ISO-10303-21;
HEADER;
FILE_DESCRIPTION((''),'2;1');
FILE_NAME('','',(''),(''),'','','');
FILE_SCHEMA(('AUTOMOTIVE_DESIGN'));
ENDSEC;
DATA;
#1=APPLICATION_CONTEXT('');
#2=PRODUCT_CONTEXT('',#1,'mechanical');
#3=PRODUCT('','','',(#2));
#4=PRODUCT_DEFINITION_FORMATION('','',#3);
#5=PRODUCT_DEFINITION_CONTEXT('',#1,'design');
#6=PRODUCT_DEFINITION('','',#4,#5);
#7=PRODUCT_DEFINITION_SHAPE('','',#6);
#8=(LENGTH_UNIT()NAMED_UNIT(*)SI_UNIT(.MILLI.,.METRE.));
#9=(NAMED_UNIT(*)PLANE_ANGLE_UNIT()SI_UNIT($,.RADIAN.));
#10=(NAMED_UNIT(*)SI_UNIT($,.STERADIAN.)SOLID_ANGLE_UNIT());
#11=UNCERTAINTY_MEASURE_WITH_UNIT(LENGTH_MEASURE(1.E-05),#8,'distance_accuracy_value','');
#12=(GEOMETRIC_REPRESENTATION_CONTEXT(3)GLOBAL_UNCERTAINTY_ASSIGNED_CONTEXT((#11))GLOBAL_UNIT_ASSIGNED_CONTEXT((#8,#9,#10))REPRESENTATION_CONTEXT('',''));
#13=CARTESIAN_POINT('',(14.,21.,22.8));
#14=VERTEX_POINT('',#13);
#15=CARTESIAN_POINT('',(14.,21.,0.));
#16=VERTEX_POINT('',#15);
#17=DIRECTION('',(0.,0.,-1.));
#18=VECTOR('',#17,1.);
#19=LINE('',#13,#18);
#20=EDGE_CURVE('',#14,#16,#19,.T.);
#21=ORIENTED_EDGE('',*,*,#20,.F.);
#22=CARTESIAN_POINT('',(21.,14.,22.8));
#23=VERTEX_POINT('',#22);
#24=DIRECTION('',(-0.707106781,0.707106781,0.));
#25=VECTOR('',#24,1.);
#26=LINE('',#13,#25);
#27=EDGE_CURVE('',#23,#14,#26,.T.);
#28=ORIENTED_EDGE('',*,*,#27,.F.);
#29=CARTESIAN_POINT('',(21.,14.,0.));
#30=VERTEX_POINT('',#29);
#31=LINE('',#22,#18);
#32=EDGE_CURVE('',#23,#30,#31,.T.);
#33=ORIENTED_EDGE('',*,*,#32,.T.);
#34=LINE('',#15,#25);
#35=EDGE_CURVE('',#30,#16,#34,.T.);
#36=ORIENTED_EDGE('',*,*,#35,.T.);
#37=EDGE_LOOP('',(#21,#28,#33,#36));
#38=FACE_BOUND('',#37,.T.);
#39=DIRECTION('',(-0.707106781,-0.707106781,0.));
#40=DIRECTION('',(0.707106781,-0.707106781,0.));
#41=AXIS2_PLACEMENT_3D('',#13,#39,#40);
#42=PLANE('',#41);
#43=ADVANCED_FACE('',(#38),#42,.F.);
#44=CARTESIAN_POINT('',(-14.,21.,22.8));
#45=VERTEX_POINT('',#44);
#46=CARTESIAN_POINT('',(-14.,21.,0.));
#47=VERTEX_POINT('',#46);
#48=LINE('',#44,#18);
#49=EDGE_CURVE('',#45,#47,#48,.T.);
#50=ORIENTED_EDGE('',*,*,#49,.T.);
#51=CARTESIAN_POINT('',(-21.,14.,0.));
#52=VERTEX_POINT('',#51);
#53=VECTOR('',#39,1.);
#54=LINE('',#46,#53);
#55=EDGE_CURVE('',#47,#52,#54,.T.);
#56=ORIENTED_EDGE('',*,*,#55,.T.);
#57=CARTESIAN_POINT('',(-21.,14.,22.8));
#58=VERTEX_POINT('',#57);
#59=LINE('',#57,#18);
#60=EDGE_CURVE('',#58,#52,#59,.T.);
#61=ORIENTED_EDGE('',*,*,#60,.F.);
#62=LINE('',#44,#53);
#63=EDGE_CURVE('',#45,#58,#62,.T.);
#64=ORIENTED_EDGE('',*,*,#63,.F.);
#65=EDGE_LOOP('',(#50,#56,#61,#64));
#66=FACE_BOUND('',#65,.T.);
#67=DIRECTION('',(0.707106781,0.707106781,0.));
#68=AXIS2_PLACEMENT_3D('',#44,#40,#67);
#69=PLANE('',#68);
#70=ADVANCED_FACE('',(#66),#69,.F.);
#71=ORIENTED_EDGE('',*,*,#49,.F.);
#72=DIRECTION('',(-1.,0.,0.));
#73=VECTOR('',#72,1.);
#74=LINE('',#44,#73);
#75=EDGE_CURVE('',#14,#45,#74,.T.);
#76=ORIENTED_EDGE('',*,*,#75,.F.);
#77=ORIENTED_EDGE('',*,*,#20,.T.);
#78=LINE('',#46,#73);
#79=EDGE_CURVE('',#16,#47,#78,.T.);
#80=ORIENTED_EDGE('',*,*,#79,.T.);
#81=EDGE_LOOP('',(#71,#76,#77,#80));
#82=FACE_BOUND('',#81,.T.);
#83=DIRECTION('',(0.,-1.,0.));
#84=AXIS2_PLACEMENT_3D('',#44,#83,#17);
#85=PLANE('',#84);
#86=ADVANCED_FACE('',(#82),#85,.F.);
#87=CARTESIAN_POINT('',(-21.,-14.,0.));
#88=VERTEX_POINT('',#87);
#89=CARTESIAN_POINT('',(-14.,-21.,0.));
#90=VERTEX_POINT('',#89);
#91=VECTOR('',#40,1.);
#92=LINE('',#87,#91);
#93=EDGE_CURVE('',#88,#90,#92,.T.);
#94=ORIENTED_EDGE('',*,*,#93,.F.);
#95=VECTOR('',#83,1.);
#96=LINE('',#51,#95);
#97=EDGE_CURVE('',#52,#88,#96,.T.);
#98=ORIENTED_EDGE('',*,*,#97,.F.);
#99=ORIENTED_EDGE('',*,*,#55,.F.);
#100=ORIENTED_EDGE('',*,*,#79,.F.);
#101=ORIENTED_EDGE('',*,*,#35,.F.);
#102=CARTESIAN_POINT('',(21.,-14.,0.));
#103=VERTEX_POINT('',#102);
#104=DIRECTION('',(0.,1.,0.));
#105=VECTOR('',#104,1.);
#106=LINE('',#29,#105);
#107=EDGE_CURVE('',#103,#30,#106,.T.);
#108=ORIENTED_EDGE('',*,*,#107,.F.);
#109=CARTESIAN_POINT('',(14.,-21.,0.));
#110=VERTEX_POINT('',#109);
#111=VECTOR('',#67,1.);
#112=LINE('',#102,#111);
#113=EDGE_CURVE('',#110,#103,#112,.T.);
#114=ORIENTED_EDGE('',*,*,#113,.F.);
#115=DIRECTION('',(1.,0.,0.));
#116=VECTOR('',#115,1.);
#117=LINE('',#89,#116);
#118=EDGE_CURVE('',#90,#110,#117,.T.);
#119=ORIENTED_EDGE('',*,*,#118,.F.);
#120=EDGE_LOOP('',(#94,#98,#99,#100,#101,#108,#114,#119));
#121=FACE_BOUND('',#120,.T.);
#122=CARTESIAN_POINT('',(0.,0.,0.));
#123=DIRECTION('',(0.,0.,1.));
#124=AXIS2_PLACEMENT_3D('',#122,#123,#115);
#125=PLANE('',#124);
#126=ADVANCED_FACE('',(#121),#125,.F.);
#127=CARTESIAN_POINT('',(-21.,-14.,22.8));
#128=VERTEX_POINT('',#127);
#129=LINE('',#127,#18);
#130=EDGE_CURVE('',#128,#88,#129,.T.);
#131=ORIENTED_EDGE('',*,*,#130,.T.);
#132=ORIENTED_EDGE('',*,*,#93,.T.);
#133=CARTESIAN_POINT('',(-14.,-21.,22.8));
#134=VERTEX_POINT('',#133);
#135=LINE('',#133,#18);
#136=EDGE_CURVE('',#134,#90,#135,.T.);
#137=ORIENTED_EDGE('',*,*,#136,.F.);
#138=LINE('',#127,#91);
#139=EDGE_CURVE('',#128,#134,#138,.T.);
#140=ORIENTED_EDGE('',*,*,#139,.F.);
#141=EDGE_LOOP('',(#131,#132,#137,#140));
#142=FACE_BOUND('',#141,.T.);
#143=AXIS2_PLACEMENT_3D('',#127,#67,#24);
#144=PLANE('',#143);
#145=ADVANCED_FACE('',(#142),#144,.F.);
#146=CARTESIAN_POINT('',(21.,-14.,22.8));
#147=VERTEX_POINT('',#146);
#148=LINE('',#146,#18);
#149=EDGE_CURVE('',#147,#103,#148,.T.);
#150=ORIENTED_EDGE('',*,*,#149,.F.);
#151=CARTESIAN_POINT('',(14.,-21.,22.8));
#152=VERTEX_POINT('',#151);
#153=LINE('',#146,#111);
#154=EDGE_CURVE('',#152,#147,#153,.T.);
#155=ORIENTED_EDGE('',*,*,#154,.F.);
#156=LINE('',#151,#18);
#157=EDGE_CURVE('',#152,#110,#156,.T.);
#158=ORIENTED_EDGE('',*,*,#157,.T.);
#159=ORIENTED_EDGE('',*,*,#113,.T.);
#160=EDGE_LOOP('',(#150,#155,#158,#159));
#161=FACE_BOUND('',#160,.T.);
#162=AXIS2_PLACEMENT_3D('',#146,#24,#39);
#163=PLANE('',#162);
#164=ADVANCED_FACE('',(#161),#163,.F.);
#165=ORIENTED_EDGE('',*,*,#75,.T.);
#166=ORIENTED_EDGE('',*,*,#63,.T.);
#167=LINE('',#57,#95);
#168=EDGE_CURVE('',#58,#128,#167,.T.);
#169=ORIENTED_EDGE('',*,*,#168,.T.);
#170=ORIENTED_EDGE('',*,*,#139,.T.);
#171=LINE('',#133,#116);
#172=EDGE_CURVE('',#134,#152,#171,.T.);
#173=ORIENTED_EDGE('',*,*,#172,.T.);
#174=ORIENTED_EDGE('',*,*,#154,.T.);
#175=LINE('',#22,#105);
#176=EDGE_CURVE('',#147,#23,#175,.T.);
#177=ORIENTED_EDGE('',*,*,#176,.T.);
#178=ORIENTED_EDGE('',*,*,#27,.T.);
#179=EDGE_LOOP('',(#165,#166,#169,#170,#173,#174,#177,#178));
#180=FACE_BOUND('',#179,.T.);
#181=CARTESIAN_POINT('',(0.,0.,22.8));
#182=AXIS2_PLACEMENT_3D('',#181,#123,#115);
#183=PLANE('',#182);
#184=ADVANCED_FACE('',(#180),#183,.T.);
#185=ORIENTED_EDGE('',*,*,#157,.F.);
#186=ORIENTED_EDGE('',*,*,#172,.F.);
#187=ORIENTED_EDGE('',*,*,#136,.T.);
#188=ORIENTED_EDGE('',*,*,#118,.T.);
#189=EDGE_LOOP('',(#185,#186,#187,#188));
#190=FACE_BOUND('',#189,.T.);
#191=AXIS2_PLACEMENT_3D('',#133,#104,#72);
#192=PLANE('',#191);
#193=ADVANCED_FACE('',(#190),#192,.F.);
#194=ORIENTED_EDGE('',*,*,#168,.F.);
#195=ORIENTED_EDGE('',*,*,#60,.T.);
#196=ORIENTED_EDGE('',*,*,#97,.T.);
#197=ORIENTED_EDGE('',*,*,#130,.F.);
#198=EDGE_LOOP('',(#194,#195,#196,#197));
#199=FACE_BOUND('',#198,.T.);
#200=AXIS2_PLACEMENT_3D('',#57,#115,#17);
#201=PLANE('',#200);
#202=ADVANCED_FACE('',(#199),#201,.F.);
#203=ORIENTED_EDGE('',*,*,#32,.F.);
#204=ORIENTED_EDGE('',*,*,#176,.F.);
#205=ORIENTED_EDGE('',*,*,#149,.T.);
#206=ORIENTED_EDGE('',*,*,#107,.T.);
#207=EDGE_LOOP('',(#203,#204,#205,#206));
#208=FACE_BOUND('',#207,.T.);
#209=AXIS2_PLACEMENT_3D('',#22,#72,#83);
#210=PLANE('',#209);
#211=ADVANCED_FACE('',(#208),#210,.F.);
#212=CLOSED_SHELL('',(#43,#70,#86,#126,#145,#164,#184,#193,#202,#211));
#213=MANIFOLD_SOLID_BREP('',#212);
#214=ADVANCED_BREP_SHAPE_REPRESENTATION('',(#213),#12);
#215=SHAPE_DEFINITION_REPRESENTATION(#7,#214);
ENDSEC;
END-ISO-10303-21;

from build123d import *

# Parameters (mm, degrees)
SALIENTE_EXTRUIR1_DEPTH = 22.8


with BuildPart() as part:
    # Croquis1 → Saliente-Extruir1 (new body)
    with BuildSketch(Plane.XY):
        Polygon((-14, 21), (-21, 14), (-21, -14), (-14, -21), (14, -21), (21, -14), (21, 14), (14, 21), align=None)
    extrude(amount=SALIENTE_EXTRUIR1_DEPTH)


solid = part.part
